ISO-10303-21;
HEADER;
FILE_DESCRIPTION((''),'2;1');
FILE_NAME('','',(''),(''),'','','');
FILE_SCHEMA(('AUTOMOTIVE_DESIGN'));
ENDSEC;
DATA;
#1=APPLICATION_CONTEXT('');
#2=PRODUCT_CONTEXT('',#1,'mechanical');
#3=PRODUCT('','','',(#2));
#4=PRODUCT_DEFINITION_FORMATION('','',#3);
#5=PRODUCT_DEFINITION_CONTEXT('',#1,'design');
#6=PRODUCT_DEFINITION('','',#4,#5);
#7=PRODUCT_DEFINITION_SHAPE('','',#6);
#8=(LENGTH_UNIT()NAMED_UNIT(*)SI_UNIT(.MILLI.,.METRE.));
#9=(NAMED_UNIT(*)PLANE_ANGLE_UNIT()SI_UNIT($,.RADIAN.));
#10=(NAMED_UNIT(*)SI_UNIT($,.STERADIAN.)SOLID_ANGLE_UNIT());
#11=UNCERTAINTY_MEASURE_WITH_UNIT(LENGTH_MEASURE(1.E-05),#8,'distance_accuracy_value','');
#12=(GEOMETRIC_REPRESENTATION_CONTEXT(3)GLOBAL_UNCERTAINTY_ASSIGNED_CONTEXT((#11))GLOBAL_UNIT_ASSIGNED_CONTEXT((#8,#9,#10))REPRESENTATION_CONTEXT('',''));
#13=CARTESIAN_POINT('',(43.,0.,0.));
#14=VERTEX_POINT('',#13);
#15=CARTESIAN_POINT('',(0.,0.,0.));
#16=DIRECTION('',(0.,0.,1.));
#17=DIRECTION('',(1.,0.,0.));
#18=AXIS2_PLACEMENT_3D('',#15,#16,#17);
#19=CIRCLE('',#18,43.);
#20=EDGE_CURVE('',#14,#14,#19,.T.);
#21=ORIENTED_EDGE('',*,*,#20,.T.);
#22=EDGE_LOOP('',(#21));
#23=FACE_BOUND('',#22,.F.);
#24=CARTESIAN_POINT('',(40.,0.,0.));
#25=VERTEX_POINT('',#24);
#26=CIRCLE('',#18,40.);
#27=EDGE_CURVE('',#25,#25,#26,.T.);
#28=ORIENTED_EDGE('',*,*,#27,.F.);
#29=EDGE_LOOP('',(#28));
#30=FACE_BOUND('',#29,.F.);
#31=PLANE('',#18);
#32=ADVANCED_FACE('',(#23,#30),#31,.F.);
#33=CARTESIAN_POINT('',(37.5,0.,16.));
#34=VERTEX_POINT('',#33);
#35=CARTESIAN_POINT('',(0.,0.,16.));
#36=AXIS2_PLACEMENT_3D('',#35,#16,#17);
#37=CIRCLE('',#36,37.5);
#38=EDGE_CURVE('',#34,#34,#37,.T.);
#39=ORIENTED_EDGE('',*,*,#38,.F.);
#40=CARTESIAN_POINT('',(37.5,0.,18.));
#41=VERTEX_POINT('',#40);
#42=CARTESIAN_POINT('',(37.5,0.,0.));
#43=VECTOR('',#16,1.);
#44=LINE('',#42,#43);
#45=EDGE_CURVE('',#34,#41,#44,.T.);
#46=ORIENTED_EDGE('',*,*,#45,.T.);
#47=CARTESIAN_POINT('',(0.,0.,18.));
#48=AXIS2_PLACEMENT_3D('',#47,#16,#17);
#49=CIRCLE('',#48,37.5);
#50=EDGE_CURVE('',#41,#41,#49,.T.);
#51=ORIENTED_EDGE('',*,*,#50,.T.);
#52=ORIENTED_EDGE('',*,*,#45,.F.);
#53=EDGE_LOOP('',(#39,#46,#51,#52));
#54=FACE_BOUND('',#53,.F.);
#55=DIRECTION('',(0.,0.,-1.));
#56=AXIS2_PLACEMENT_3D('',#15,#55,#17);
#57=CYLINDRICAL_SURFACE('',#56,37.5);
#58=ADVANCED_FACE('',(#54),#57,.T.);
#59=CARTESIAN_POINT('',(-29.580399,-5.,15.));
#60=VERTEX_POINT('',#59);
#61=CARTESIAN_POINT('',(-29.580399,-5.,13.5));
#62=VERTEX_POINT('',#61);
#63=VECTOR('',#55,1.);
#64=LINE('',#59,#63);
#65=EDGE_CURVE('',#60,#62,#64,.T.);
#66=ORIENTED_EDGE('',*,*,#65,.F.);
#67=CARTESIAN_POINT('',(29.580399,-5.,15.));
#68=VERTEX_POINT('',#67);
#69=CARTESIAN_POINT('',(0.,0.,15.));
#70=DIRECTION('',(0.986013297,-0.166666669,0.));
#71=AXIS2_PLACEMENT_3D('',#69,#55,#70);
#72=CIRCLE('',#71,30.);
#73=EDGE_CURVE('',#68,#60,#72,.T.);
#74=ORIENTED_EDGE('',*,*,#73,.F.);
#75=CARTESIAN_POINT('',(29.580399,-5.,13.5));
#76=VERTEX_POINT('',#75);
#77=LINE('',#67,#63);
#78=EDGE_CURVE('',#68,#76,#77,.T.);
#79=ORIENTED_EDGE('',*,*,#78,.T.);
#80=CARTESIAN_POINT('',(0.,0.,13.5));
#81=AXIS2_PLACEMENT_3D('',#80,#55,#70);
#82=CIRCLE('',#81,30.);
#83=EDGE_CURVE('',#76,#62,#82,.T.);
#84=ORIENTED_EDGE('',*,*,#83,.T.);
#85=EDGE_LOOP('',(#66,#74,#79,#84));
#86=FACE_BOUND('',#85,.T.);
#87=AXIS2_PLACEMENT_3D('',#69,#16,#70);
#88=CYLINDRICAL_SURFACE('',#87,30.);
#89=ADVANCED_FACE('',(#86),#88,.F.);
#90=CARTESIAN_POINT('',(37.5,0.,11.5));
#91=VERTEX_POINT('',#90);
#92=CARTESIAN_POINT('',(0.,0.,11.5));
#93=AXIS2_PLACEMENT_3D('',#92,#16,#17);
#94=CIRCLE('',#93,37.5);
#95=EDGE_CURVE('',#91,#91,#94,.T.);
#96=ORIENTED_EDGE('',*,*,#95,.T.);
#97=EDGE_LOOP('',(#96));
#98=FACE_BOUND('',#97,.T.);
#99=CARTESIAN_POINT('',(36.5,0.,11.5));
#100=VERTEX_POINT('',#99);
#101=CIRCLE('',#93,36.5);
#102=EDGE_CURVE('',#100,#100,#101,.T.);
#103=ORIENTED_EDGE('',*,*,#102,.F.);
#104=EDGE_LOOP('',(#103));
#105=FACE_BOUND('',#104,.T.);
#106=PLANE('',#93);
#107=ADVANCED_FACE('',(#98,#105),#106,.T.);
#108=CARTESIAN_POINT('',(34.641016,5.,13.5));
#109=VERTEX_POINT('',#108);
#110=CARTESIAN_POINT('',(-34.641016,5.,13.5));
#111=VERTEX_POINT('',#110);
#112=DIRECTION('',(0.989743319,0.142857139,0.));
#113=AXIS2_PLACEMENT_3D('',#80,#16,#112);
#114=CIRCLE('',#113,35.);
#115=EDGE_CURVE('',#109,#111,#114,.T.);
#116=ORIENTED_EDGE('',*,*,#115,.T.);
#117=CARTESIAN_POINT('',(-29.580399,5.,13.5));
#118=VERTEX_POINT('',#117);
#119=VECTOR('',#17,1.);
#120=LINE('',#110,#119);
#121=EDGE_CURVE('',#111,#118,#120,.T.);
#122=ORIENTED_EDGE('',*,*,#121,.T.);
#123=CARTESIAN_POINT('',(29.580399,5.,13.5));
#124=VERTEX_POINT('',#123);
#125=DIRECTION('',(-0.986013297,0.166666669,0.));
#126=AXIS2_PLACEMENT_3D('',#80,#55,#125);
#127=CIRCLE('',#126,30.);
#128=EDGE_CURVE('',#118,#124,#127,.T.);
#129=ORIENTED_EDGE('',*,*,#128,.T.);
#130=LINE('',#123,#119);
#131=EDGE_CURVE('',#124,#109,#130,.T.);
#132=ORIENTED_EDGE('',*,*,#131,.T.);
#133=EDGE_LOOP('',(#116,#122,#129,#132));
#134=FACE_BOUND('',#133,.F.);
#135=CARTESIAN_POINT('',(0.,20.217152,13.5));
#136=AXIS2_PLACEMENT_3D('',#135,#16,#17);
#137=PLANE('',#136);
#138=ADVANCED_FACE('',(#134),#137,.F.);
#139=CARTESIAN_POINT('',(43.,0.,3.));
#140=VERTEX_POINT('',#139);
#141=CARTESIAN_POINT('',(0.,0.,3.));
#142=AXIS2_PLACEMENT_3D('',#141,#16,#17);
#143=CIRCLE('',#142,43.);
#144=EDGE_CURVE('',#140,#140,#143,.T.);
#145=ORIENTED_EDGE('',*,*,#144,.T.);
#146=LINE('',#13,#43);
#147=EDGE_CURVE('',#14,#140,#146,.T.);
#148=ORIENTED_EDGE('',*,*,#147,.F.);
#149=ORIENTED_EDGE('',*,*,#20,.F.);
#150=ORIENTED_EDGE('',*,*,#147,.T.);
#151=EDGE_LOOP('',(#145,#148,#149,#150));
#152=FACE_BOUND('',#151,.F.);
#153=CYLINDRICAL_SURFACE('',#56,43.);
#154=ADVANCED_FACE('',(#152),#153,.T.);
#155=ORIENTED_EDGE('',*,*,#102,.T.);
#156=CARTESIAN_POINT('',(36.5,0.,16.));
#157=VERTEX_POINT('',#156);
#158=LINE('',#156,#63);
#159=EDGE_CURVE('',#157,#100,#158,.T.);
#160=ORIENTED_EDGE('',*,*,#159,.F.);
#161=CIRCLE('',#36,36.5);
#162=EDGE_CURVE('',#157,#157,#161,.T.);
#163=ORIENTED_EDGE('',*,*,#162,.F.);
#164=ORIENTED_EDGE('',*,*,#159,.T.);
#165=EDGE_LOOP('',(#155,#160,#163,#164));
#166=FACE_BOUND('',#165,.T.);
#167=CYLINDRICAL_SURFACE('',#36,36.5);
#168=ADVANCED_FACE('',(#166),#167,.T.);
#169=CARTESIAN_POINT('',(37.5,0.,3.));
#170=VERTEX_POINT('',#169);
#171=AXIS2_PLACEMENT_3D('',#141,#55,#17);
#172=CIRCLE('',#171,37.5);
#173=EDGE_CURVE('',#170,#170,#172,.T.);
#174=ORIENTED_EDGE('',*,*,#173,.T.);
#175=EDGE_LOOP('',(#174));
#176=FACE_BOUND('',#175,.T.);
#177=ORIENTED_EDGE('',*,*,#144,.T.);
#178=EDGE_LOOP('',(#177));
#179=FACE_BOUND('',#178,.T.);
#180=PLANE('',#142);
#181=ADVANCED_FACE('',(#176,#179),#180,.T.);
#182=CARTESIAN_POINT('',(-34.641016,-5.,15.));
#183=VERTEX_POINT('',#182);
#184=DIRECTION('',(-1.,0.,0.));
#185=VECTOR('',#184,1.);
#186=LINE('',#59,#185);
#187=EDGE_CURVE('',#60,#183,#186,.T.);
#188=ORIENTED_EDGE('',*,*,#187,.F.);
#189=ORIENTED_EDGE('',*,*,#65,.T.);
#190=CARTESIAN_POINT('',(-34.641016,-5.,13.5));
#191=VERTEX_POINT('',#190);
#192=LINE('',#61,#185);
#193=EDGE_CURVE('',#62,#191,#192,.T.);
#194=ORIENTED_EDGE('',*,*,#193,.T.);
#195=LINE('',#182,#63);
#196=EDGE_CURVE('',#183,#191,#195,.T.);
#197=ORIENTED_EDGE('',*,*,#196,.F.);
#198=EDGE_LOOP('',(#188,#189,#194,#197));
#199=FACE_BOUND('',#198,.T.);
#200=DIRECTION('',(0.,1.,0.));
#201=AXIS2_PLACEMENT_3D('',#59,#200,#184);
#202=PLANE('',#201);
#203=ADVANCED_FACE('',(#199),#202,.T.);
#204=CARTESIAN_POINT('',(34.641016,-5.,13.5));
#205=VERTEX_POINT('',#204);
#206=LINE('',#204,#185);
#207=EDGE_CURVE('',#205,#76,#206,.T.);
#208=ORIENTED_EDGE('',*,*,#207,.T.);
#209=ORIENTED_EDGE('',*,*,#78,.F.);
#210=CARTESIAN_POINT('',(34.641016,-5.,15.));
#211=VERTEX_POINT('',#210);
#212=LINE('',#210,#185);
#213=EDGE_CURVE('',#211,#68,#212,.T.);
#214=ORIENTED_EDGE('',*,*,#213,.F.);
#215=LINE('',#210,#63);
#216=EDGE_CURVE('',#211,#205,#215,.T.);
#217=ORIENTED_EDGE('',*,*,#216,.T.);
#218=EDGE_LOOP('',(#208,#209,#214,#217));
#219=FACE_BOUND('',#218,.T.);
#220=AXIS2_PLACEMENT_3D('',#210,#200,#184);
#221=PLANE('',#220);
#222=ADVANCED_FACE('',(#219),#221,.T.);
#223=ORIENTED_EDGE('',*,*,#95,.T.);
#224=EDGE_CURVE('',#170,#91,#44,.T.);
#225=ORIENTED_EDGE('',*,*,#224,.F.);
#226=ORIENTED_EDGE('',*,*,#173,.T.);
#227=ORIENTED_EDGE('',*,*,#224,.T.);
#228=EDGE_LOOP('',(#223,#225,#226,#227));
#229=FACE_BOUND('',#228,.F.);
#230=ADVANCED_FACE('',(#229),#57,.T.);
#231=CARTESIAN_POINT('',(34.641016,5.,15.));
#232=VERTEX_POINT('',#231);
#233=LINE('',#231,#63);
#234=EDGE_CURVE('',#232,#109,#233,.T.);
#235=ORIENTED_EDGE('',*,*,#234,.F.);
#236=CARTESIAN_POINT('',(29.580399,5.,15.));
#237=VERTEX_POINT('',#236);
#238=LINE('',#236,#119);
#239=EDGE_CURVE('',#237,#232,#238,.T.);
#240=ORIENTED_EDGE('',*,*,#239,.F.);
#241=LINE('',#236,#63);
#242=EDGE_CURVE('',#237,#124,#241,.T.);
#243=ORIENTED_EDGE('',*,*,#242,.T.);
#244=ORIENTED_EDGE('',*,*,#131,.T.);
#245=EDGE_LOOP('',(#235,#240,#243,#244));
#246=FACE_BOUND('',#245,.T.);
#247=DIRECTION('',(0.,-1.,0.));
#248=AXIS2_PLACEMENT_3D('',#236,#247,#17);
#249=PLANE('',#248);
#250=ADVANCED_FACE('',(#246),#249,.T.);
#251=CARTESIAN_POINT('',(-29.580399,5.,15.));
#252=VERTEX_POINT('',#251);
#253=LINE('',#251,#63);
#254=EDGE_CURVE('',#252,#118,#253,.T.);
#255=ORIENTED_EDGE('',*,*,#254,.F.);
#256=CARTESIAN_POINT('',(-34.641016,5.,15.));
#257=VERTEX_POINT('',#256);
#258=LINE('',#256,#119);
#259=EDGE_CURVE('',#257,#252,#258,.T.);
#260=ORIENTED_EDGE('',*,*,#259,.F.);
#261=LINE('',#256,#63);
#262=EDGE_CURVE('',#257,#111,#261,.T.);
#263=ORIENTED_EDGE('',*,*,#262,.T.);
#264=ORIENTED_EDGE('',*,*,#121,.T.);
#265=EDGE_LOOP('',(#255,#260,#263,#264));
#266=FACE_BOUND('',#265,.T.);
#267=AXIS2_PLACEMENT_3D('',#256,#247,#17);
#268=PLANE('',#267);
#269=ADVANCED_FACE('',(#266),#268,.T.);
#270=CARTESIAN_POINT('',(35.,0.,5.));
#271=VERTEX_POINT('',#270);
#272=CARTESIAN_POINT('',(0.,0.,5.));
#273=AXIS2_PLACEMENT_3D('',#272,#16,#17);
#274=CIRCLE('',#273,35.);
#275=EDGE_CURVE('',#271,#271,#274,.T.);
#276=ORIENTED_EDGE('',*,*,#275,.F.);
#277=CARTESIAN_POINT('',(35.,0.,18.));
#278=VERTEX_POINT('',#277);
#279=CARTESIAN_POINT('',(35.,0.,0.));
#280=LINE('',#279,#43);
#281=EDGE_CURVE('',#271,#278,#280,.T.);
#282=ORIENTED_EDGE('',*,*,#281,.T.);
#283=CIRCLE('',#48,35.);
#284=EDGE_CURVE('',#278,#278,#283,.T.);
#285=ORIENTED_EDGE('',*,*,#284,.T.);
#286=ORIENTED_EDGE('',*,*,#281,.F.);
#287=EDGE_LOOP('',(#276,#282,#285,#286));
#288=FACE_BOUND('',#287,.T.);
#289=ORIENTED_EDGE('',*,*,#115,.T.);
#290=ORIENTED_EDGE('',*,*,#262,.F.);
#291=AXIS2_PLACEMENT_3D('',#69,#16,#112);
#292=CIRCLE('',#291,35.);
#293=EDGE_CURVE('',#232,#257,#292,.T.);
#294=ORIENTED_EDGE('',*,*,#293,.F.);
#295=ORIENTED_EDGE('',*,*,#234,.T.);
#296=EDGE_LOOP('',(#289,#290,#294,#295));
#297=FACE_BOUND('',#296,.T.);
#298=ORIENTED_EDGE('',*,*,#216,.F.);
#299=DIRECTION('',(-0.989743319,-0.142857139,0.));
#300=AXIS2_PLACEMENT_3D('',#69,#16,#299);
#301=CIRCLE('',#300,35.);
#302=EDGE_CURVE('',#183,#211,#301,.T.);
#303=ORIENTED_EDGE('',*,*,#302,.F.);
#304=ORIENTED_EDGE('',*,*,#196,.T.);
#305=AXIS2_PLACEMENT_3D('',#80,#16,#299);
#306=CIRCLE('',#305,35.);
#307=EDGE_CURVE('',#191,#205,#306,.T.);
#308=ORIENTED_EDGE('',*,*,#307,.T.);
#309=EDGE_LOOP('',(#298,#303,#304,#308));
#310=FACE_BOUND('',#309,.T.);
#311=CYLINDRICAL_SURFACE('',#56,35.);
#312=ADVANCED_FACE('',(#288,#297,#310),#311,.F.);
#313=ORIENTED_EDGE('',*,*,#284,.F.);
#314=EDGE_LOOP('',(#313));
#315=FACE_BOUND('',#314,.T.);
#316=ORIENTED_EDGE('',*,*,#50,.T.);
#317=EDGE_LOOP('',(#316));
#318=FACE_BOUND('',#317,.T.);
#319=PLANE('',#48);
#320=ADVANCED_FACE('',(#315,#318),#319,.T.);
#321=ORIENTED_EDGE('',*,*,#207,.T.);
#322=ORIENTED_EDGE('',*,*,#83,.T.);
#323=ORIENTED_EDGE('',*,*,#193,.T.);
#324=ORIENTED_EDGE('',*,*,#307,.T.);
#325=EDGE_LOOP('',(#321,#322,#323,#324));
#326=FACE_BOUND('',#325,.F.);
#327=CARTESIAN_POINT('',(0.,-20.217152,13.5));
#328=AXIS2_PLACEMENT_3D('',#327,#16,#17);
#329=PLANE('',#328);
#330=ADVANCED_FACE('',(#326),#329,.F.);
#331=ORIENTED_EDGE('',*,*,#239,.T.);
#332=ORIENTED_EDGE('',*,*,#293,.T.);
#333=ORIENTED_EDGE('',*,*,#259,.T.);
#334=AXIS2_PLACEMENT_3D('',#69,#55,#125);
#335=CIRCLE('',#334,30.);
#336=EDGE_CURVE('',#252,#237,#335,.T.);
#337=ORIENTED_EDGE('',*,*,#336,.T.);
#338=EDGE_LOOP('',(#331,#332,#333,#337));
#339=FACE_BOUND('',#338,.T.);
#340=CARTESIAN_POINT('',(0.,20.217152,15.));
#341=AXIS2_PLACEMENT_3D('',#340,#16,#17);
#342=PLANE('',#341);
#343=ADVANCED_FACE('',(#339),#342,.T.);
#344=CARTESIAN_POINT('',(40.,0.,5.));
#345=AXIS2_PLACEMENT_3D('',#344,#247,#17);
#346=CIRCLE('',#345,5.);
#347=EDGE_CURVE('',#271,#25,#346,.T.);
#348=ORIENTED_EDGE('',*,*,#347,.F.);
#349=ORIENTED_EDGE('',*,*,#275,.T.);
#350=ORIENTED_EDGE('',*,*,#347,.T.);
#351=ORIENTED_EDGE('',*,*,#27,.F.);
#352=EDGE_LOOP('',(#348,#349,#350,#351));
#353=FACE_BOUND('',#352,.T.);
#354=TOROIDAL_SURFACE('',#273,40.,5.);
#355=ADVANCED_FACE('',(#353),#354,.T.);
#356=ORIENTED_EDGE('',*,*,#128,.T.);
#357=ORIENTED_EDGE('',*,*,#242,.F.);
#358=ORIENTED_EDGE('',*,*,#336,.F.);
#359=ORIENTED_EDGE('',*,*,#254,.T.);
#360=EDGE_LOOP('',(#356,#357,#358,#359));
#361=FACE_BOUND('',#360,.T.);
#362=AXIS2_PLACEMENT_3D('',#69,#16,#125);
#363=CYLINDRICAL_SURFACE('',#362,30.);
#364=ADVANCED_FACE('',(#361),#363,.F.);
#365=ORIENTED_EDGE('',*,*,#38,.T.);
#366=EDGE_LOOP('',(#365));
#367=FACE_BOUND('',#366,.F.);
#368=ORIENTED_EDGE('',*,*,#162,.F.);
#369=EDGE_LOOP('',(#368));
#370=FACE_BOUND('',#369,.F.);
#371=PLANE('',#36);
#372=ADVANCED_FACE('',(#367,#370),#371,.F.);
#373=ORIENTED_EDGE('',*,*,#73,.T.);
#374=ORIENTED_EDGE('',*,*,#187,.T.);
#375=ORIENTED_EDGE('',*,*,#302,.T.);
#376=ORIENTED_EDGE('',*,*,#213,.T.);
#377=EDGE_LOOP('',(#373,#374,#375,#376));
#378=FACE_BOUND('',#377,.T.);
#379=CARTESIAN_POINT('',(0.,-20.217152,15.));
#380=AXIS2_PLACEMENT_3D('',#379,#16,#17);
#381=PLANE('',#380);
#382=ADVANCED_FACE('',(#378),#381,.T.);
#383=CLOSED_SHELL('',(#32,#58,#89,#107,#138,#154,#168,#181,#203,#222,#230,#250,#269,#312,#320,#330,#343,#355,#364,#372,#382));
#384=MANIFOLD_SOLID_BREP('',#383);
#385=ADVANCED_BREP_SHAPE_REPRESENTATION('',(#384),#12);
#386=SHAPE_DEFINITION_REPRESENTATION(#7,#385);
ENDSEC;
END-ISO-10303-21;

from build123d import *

# Parameters (mm, degrees)
F0_R      = 37.5
F0_R_2    = 35
F1_DEPTH  = 18
F2_R      = 43
F2_R_2    = 35
F3_DEPTH  = 3
F4_R      = 5
F6_R      = 37.5
F6_R_2    = 36.5
F7_DEPTH  = 4.5
F10_DEPTH = 1.5


with BuildPart() as f1:
    # F0 (on Top) → F1 (new body)
    with BuildSketch(Plane.XY):
        Circle(F0_R)
        Circle(F0_R_2, mode=Mode.SUBTRACT)
    extrude(amount=F1_DEPTH)

    # F2 (on Top) → F3 (join)
    with BuildSketch(Plane.XY):
        Circle(F2_R)
        Circle(F2_R_2, mode=Mode.SUBTRACT)
    extrude(amount=F3_DEPTH)

    # F4
    f4_edges = [f1.edges().sort_by_distance(p)[0] for p in [
        (-35, 0, 0),
    ]]
    fillet(f4_edges, radius=F4_R)

    # F6 (on offset) → F7 (cut)
    with BuildSketch(Plane.XY.offset(16)):
        Circle(F6_R)
        Circle(F6_R_2, mode=Mode.SUBTRACT)
    extrude(amount=-F7_DEPTH, mode=Mode.SUBTRACT)

    # F9 (on offset) → F10 (join)
    with BuildSketch(Plane.XY.offset(15)):
        with BuildLine():
            Line((29.580399, 5), (34.641016, 5))
            ThreePointArc((34.641016, 5), (0, 35), (-34.641016, 5))
            Line((-34.641016, 5), (-29.580399, 5))
            ThreePointArc((-29.580399, 5), (0, 30), (29.580399, 5))
        make_face()
        with BuildLine():
            Line((34.641016, -5), (29.580399, -5))
            ThreePointArc((29.580399, -5), (0, -30), (-29.580399, -5))
            Line((-29.580399, -5), (-34.641016, -5))
            ThreePointArc((-34.641016, -5), (0, -35), (34.641016, -5))
        make_face()
    extrude(amount=-F10_DEPTH)


solid = f1.part
